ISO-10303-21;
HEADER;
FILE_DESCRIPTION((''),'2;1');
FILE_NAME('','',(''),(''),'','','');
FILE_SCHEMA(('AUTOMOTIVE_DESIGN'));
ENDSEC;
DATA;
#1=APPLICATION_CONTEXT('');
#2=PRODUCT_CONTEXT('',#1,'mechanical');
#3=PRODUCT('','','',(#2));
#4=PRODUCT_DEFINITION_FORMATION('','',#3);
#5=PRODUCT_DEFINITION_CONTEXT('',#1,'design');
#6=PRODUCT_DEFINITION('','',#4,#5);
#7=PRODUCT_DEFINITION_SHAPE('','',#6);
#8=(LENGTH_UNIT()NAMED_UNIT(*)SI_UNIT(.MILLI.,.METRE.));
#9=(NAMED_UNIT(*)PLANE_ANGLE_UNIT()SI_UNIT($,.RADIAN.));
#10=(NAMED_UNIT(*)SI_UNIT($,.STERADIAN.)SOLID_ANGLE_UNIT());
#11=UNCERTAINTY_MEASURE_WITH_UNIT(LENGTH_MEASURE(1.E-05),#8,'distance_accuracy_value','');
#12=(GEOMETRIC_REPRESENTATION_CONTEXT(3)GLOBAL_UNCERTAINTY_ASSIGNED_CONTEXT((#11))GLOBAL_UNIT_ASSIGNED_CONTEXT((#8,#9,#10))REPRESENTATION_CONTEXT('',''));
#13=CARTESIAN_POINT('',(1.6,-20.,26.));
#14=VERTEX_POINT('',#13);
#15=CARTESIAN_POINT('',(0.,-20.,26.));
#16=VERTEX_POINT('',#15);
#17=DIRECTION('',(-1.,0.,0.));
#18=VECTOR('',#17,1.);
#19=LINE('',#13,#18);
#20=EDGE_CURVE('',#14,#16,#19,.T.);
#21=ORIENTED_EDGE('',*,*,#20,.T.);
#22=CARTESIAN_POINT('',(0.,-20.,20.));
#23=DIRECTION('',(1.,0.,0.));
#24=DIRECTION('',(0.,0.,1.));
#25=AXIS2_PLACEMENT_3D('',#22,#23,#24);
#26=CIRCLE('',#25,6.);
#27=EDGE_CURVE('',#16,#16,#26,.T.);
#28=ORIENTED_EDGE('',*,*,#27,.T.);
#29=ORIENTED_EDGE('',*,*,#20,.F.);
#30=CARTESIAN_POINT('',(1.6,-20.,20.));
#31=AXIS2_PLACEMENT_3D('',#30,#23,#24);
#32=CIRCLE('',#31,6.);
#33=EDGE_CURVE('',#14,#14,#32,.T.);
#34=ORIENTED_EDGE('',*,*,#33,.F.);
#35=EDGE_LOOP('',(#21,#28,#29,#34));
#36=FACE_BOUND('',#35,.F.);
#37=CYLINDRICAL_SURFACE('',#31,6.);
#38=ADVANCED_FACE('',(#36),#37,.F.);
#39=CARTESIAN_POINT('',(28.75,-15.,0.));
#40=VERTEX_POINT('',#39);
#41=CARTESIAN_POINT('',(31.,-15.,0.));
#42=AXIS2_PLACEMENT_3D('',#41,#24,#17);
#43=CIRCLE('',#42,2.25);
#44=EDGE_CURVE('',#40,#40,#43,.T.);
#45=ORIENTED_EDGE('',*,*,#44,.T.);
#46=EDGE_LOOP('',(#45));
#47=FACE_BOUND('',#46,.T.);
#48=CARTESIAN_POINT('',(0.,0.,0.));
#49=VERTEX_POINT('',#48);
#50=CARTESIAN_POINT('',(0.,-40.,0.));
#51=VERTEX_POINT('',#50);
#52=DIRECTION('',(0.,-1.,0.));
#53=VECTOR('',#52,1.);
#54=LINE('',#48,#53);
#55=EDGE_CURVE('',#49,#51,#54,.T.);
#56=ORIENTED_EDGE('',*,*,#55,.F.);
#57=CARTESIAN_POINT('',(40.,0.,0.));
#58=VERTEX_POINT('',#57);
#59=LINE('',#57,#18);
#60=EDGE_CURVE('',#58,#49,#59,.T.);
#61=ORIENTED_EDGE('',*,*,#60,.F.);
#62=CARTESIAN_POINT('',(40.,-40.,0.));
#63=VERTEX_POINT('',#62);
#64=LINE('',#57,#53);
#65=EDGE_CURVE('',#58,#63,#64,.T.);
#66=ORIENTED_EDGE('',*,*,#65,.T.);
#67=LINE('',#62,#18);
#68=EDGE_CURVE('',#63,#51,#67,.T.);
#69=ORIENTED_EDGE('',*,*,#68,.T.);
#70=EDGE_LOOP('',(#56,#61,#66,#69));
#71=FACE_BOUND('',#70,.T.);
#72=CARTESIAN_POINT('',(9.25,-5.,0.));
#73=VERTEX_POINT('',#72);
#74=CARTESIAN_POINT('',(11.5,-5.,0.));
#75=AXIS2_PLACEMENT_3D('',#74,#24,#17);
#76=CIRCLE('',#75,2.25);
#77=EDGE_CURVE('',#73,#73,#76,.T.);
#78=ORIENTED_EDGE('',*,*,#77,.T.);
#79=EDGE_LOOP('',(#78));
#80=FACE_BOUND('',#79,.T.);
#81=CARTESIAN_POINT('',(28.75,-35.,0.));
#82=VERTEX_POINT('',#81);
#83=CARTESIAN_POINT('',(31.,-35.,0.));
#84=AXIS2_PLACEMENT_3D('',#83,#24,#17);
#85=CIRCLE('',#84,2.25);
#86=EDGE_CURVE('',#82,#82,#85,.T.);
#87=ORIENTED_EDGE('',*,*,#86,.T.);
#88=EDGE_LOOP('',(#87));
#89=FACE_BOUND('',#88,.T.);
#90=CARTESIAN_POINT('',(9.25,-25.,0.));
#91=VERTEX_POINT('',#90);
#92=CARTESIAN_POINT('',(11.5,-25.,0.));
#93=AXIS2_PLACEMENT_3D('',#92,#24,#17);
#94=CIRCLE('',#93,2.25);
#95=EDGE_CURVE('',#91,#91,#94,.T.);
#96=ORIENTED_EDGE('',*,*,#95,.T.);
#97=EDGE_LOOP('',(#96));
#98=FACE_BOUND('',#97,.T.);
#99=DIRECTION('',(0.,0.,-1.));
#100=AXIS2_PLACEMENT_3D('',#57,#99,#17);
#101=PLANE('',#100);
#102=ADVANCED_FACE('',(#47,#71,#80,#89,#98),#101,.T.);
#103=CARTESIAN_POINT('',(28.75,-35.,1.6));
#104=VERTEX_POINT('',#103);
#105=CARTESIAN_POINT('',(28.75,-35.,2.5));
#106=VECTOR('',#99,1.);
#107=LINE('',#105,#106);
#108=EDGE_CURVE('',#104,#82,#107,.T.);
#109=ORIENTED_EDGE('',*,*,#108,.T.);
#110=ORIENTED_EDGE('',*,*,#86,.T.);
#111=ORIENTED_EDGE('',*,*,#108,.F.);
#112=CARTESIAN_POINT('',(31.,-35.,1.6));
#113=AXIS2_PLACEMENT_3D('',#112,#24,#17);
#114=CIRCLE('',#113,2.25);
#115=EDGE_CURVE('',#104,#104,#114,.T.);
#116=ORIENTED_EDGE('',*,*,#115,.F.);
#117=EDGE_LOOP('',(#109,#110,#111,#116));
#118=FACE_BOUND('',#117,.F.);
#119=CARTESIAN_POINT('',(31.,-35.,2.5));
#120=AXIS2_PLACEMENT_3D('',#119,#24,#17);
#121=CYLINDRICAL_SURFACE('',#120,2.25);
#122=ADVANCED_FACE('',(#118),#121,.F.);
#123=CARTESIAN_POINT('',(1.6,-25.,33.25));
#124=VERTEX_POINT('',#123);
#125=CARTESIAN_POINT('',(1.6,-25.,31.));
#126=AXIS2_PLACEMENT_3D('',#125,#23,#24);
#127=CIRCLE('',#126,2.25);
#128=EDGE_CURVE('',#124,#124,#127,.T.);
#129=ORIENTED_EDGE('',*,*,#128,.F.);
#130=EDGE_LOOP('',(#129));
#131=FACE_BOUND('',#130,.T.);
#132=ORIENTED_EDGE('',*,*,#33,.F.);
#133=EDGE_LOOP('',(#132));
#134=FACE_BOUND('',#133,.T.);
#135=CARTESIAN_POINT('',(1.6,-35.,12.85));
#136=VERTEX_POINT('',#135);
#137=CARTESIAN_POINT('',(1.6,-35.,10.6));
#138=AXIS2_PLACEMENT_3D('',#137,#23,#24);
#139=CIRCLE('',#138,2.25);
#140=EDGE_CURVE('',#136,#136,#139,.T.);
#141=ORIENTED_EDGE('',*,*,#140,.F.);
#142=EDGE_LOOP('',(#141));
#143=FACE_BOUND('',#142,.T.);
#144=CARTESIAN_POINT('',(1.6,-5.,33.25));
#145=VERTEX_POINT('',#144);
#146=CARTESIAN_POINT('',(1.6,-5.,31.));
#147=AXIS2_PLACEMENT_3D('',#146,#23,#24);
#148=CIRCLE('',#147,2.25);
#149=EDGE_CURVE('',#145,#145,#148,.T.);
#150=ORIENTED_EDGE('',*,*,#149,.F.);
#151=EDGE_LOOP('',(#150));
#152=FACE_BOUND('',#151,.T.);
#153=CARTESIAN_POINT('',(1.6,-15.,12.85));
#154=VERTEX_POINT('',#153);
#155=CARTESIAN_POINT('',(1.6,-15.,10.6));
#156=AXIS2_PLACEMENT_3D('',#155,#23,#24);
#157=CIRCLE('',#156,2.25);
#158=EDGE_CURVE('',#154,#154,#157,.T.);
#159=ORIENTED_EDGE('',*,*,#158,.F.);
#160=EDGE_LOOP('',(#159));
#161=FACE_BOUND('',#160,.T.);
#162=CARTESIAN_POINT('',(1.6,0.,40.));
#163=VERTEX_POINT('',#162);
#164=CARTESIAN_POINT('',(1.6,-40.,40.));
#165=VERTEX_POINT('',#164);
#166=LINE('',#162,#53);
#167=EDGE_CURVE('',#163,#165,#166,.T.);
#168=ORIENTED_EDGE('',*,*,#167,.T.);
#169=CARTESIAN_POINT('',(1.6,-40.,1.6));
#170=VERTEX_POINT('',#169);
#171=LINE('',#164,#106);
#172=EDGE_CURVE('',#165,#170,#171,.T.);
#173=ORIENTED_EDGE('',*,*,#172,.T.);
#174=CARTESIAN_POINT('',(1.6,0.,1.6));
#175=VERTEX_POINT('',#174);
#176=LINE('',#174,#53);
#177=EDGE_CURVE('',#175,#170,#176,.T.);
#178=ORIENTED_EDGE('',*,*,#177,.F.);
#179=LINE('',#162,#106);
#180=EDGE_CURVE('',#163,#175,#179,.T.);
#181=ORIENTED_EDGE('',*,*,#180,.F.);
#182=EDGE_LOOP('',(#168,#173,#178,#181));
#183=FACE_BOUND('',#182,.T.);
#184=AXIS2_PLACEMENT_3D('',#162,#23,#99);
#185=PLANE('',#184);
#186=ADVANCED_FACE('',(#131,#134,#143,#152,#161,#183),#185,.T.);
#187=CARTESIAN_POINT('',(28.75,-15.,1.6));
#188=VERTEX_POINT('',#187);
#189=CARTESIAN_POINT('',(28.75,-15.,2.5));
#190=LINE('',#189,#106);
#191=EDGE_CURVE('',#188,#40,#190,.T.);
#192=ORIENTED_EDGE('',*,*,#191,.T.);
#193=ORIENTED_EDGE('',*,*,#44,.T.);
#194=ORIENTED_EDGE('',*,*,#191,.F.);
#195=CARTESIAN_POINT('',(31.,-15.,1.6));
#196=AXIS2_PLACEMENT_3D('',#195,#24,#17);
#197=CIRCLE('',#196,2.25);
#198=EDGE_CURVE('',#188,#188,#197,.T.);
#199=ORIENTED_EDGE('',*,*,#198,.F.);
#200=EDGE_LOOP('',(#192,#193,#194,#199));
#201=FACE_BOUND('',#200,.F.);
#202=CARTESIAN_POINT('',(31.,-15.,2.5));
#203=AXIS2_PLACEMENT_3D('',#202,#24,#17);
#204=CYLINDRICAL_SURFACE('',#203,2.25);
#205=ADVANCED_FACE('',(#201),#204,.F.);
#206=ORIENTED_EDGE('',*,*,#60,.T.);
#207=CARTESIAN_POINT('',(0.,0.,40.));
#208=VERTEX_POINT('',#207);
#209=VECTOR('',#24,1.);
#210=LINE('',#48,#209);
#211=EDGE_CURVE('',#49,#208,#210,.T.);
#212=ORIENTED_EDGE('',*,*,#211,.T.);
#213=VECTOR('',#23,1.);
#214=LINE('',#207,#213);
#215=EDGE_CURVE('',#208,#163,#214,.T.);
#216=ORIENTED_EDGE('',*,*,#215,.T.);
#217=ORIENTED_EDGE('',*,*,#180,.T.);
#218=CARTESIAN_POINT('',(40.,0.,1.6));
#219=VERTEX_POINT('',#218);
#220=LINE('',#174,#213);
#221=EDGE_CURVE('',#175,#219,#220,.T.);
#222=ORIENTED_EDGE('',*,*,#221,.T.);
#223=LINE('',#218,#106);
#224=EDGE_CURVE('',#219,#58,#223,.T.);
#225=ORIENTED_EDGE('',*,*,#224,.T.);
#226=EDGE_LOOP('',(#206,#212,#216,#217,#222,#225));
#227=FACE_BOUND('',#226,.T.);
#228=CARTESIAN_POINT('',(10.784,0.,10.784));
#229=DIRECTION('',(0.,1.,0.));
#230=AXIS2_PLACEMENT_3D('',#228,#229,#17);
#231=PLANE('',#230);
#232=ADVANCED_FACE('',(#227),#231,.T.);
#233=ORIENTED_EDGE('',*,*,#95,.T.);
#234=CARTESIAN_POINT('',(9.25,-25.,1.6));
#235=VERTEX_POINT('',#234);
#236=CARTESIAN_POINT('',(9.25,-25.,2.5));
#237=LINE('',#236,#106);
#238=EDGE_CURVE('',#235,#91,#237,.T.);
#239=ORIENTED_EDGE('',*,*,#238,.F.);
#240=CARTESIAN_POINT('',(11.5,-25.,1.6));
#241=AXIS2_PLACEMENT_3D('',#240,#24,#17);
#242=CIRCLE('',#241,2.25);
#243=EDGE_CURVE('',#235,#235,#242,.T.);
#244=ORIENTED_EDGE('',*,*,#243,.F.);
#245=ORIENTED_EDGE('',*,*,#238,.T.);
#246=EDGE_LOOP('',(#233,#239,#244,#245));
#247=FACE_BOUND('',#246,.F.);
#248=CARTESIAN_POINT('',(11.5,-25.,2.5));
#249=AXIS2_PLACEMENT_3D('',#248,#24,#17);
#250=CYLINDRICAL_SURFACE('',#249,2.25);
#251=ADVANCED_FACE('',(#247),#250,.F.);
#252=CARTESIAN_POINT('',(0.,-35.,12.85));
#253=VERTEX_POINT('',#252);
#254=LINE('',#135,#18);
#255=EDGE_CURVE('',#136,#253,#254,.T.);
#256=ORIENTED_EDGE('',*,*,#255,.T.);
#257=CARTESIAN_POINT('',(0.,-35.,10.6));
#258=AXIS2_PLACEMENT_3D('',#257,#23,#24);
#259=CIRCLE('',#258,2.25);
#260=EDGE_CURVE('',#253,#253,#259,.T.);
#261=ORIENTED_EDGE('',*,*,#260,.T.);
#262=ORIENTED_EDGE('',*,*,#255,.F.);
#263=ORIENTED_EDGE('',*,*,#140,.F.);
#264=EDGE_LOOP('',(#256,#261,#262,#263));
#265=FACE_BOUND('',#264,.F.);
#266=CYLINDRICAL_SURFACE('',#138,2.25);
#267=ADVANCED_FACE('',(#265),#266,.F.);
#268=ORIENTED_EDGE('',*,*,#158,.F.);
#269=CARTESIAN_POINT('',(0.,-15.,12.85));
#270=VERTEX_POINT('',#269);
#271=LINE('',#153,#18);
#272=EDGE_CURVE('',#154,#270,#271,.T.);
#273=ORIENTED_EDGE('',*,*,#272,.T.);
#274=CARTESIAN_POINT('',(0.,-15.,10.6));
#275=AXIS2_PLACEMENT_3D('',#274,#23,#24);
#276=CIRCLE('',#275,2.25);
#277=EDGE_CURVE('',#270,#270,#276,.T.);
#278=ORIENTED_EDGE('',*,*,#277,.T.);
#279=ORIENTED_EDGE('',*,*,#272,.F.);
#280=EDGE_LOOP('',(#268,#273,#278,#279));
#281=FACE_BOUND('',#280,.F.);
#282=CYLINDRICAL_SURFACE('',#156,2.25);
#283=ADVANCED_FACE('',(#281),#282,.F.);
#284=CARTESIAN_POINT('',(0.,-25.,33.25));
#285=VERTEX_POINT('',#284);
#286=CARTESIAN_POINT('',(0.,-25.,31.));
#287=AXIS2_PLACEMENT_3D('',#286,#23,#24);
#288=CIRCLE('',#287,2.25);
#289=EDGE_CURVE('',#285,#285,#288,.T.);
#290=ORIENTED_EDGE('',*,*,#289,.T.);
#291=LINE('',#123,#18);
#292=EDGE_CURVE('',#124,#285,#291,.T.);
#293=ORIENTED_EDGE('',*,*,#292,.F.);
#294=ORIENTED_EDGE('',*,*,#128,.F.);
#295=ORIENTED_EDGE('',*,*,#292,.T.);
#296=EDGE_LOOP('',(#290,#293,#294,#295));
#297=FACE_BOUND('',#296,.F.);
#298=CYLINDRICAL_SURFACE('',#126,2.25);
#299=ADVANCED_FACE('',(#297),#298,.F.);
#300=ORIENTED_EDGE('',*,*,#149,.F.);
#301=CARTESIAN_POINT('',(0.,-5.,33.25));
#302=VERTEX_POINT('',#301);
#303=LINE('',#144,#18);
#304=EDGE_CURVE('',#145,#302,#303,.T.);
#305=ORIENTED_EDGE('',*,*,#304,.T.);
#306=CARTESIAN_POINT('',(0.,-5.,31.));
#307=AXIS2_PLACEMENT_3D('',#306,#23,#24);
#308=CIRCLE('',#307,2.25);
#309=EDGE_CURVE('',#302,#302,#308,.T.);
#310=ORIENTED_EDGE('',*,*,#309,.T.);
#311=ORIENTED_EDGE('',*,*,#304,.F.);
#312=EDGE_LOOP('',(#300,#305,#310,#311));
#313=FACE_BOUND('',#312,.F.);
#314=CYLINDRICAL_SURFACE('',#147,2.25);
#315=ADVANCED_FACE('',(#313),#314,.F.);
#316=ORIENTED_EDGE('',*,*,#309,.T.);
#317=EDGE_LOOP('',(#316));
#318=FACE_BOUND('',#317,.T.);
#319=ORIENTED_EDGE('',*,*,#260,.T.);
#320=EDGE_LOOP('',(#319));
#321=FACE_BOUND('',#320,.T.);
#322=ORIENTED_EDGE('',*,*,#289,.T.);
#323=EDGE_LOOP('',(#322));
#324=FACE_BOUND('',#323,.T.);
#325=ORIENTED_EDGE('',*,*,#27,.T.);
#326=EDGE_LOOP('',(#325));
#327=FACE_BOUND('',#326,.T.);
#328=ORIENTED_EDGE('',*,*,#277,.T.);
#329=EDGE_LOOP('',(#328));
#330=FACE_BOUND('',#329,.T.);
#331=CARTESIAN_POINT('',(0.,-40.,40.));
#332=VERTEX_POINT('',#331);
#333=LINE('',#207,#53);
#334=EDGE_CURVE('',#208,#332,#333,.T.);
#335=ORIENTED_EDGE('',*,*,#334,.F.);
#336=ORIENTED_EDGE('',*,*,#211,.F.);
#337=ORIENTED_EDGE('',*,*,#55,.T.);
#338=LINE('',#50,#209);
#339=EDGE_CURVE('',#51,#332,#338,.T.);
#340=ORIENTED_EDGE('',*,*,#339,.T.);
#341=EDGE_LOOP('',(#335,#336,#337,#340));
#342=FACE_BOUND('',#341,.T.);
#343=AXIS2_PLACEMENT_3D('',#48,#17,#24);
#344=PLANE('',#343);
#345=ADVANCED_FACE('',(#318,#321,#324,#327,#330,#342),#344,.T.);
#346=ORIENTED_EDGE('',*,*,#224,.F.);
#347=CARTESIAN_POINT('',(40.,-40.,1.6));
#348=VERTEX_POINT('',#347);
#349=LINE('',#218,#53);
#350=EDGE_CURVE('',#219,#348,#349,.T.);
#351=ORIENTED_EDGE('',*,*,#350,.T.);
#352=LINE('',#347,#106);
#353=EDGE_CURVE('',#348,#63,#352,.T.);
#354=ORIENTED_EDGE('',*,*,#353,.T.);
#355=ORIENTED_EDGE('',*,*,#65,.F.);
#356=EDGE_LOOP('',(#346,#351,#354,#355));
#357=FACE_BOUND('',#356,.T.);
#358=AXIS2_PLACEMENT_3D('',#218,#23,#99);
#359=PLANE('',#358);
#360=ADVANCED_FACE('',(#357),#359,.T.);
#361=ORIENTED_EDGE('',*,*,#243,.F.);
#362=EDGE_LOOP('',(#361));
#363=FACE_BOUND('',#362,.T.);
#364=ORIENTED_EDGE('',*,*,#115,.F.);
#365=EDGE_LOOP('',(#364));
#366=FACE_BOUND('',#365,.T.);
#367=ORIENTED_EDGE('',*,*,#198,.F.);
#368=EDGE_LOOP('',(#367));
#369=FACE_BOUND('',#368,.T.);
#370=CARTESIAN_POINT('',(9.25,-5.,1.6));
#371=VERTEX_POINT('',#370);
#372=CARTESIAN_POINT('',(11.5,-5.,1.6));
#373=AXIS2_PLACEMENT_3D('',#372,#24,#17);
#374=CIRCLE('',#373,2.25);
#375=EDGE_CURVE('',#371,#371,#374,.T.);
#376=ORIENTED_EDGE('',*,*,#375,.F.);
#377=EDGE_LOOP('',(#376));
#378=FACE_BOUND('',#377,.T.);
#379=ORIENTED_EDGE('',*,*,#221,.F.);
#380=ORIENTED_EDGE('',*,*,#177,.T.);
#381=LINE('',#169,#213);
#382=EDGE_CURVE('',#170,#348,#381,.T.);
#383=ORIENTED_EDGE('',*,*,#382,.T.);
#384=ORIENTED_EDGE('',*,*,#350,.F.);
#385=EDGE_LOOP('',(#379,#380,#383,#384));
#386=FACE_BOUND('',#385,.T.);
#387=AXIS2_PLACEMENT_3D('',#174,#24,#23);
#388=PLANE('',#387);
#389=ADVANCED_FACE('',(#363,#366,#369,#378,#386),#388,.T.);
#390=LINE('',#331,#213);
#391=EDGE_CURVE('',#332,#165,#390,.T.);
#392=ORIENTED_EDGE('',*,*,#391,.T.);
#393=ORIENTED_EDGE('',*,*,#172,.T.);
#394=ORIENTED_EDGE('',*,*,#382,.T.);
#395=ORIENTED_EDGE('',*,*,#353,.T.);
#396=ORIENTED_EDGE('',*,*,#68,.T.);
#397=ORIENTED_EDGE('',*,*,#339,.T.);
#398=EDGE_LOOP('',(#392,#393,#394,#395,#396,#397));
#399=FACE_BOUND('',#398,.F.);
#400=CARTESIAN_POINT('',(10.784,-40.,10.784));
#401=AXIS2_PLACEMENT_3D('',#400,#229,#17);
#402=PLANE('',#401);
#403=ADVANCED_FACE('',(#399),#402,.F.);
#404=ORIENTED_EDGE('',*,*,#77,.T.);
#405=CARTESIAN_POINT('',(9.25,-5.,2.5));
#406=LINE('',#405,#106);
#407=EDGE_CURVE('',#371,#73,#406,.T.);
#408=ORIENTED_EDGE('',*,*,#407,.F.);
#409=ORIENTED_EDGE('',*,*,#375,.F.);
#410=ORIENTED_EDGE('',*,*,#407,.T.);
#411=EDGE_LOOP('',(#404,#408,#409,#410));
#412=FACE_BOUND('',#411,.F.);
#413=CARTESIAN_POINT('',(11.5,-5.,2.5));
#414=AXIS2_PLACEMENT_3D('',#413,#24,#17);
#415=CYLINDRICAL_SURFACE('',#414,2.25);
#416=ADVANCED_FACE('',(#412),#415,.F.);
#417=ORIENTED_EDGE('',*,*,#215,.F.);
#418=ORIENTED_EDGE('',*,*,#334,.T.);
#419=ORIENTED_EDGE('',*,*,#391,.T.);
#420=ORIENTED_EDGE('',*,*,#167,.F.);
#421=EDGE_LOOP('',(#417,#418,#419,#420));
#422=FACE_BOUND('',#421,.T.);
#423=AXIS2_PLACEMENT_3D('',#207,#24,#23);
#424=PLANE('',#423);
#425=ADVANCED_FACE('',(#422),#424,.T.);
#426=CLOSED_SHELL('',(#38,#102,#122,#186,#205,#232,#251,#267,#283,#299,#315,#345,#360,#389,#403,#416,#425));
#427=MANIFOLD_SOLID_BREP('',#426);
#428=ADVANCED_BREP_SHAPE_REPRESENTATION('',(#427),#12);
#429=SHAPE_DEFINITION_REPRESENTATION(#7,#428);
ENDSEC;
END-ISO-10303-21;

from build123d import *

# Parameters (mm, degrees)
PAD_DEPTH       = 40
SKETCH001_R     = 2.25
SKETCH001_R_2   = 6
POCKET_DEPTH    = 1.601
COPYSKETCH002_R = 2.25
POCKET001_DEPTH = 5


with BuildPart() as part:
    # Sketch → Pad (new body)
    with BuildSketch(Plane.XZ):
        Polygon((0, 0), (0, 40), (1.6, 40), (1.6, 1.6), (40, 1.6), (40, 0), align=None)
    extrude(amount=PAD_DEPTH)

    # Sketch001 (on Face3 of Pad) → Pocket (cut, through all)
    with BuildSketch(Plane(origin=(1.6, 0, 0), x_dir=(0, 0, 1), z_dir=(1, 0, 0))):
        with Locations((10.6, 35)):
            Circle(SKETCH001_R)
        with Locations((31, 25)):
            Circle(SKETCH001_R)
        with Locations((10.6, 15)):
            Circle(SKETCH001_R)
        with Locations((31, 5)):
            Circle(SKETCH001_R)
        with Locations((20, 20)):
            Circle(SKETCH001_R_2)
    extrude(amount=-POCKET_DEPTH, mode=Mode.SUBTRACT)

    # CopySketch002 → Pocket001 (cut)
    with BuildSketch(Plane(origin=(0, 0, 2.5), x_dir=(-1, 0, 0), z_dir=(0, 0, 1))):
        with Locations((-11.5, 5)):
            Circle(COPYSKETCH002_R)
        with Locations((-31, 15)):
            Circle(COPYSKETCH002_R)
        with Locations((-11.5, 25)):
            Circle(COPYSKETCH002_R)
        with Locations((-31, 35)):
            Circle(COPYSKETCH002_R)
    extrude(amount=-POCKET001_DEPTH, mode=Mode.SUBTRACT)


solid = part.part
